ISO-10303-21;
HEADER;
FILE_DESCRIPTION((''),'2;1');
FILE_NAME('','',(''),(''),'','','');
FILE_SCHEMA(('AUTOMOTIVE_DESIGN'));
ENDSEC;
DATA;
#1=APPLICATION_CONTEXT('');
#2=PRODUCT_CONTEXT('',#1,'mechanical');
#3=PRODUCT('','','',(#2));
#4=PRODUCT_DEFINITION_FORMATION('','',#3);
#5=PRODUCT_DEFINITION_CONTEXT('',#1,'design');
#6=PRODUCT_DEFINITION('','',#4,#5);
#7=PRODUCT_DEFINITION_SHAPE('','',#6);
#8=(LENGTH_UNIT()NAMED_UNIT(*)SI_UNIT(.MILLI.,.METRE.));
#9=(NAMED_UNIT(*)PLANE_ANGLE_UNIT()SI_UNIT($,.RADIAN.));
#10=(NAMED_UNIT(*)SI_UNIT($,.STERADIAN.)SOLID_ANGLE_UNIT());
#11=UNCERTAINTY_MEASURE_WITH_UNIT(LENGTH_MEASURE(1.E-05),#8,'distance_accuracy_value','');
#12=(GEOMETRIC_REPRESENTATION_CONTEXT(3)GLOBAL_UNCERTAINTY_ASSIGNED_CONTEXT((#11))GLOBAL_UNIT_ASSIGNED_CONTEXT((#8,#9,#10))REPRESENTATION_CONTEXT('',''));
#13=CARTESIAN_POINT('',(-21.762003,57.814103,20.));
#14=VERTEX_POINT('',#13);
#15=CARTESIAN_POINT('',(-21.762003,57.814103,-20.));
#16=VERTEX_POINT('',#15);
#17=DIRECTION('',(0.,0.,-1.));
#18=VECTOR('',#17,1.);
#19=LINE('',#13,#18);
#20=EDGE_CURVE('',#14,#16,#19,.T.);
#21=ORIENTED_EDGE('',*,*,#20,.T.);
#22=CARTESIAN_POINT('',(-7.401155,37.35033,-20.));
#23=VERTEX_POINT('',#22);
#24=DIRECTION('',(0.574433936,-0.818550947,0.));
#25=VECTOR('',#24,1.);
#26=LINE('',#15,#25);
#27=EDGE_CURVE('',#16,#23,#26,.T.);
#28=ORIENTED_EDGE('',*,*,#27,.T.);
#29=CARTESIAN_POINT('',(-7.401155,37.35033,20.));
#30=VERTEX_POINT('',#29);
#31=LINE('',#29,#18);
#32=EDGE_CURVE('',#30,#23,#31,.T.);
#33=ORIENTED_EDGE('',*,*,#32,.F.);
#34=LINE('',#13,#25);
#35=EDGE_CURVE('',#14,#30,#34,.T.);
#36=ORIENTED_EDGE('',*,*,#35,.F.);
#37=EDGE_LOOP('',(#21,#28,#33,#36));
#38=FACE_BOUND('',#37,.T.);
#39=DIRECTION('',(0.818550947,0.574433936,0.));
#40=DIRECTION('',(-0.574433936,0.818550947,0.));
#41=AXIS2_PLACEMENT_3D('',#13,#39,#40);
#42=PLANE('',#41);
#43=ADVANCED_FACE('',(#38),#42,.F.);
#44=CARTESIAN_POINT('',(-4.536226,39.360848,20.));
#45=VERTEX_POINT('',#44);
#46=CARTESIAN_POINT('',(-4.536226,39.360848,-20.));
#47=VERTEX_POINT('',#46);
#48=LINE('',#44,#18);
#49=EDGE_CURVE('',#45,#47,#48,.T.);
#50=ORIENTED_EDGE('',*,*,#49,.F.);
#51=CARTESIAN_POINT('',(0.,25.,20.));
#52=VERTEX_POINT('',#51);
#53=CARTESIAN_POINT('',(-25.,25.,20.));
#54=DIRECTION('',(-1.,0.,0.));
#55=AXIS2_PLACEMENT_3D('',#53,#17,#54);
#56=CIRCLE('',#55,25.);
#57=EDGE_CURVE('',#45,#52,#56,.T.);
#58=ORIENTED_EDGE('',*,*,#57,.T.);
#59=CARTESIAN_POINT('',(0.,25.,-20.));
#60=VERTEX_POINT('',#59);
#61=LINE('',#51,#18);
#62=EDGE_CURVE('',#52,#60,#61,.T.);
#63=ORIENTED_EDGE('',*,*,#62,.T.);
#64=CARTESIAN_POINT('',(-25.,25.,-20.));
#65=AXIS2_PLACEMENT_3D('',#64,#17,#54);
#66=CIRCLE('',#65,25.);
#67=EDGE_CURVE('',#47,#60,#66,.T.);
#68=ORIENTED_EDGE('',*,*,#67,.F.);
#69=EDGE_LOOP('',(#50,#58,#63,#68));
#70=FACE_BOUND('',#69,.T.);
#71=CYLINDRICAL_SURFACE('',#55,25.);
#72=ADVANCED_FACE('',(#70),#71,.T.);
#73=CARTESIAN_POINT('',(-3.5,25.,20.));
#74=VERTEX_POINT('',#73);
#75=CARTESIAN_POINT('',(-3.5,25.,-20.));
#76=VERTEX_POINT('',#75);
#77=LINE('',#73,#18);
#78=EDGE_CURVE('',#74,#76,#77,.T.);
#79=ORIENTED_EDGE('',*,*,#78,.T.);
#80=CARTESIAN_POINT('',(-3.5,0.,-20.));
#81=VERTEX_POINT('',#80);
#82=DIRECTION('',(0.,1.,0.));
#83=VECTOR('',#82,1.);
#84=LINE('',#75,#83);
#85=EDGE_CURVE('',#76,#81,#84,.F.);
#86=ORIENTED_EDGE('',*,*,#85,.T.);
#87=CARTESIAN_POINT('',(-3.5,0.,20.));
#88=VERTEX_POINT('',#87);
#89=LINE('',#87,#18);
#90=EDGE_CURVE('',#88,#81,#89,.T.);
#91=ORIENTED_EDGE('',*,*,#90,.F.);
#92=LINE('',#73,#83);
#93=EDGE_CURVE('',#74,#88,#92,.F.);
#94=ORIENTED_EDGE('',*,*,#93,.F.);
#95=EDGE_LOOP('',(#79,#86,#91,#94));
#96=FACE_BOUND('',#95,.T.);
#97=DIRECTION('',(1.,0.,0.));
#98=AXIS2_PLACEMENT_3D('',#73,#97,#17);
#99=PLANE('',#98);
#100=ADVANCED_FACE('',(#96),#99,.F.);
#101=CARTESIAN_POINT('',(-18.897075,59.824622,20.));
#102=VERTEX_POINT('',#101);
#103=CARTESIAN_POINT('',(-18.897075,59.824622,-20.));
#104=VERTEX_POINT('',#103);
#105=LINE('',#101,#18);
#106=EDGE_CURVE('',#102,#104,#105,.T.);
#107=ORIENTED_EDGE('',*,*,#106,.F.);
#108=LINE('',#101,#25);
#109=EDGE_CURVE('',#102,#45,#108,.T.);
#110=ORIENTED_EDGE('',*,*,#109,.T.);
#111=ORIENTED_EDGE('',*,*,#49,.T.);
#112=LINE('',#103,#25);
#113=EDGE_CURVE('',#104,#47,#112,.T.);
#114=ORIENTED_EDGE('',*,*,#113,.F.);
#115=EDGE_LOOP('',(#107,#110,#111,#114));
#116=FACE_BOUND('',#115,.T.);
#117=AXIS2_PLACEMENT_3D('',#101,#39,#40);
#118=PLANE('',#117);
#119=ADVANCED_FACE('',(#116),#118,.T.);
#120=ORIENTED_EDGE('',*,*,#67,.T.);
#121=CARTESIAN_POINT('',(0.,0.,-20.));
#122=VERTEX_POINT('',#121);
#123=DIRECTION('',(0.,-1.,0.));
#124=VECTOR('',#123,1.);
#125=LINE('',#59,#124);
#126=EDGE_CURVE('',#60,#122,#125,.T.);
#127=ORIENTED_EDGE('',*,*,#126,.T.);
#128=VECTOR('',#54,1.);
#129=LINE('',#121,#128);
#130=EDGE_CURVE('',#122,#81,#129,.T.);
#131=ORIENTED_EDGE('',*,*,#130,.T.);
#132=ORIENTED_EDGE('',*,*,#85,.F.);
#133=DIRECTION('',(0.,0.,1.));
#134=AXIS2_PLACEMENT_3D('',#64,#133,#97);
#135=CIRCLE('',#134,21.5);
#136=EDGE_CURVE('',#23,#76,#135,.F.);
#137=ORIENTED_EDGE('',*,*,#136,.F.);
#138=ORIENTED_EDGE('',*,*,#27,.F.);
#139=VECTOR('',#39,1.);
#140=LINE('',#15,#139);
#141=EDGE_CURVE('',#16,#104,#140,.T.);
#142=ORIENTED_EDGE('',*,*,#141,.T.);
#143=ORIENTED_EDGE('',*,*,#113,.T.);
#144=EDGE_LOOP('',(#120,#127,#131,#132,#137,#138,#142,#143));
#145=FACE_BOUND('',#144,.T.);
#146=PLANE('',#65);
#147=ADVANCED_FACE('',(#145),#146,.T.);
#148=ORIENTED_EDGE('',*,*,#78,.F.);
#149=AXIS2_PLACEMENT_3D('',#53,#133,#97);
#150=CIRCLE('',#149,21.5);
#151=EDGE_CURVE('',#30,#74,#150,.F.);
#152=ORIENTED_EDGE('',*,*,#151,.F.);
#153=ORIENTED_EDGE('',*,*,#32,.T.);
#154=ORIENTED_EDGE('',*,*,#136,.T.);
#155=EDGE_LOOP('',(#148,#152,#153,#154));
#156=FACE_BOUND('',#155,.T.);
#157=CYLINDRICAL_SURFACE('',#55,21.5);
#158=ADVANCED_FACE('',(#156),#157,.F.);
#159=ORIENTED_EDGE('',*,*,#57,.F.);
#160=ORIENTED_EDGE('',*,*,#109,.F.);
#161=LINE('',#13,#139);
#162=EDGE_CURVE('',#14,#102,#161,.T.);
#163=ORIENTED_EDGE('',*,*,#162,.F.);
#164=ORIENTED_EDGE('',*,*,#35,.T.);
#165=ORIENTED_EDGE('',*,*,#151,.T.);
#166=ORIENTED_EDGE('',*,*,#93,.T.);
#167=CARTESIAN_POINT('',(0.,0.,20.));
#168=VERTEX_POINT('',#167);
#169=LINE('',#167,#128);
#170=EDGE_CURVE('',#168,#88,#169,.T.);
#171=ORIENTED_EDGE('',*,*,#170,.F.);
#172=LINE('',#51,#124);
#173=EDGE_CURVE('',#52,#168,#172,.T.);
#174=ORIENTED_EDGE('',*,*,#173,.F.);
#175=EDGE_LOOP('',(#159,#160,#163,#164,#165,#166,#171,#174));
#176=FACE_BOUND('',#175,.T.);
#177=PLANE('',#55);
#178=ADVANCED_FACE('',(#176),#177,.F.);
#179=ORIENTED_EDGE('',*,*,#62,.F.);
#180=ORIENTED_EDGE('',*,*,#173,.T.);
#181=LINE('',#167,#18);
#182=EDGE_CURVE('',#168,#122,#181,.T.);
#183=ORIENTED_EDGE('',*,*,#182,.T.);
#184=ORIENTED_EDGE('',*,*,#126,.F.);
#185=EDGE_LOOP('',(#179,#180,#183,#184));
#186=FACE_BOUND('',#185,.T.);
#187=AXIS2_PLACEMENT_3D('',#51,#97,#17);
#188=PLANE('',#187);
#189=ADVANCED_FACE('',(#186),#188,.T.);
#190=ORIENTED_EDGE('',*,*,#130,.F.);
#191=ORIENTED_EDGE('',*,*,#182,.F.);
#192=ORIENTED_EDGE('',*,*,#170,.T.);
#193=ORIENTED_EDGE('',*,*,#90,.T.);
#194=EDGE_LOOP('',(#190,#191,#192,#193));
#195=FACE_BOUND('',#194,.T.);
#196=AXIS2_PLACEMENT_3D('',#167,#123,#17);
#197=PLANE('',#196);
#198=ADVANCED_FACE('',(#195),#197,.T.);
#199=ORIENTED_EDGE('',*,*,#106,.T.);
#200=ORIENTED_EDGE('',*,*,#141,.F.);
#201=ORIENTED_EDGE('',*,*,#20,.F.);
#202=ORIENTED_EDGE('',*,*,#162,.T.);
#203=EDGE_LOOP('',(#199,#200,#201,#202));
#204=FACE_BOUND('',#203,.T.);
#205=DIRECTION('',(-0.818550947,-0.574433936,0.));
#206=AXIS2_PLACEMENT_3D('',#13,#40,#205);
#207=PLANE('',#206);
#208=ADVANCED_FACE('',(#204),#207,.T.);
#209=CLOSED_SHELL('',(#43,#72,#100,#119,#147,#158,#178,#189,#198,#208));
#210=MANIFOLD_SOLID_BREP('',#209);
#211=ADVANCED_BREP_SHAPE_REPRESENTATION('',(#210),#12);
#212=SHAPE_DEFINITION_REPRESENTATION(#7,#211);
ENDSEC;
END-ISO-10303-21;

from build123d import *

# Parameters (mm, degrees)
EXTRUIR_L_MINA1_DEPTH = 20


with BuildPart() as part:
    # Croquis1 → Extruir-Lámina1 (new body, symmetric)
    with BuildSketch(Plane.XY):
        with BuildLine():
            Line((-18.897074708, 59.824622078), (-4.536226315, 39.360848393))
            ThreePointArc((-4.536226315, 39.360848393), (-1.161015729, 32.530128082), (0, 25))
            Line((0, 25), (0, 0))
            Line((0, 0), (-3.5, 0))
            Line((-3.5, 0), (-3.5, 25))
            ThreePointArc((-3.5, 25), (-4.498473527, 31.475910151), (-7.401154631, 37.350329618))
            Line((-7.401154631, 37.350329618), (-21.762003023, 57.814103303))
            Line((-21.762003023, 57.814103303), (-18.897074708, 59.824622078))
        make_face()
    extrude(amount=EXTRUIR_L_MINA1_DEPTH, both=True)


solid = part.part
